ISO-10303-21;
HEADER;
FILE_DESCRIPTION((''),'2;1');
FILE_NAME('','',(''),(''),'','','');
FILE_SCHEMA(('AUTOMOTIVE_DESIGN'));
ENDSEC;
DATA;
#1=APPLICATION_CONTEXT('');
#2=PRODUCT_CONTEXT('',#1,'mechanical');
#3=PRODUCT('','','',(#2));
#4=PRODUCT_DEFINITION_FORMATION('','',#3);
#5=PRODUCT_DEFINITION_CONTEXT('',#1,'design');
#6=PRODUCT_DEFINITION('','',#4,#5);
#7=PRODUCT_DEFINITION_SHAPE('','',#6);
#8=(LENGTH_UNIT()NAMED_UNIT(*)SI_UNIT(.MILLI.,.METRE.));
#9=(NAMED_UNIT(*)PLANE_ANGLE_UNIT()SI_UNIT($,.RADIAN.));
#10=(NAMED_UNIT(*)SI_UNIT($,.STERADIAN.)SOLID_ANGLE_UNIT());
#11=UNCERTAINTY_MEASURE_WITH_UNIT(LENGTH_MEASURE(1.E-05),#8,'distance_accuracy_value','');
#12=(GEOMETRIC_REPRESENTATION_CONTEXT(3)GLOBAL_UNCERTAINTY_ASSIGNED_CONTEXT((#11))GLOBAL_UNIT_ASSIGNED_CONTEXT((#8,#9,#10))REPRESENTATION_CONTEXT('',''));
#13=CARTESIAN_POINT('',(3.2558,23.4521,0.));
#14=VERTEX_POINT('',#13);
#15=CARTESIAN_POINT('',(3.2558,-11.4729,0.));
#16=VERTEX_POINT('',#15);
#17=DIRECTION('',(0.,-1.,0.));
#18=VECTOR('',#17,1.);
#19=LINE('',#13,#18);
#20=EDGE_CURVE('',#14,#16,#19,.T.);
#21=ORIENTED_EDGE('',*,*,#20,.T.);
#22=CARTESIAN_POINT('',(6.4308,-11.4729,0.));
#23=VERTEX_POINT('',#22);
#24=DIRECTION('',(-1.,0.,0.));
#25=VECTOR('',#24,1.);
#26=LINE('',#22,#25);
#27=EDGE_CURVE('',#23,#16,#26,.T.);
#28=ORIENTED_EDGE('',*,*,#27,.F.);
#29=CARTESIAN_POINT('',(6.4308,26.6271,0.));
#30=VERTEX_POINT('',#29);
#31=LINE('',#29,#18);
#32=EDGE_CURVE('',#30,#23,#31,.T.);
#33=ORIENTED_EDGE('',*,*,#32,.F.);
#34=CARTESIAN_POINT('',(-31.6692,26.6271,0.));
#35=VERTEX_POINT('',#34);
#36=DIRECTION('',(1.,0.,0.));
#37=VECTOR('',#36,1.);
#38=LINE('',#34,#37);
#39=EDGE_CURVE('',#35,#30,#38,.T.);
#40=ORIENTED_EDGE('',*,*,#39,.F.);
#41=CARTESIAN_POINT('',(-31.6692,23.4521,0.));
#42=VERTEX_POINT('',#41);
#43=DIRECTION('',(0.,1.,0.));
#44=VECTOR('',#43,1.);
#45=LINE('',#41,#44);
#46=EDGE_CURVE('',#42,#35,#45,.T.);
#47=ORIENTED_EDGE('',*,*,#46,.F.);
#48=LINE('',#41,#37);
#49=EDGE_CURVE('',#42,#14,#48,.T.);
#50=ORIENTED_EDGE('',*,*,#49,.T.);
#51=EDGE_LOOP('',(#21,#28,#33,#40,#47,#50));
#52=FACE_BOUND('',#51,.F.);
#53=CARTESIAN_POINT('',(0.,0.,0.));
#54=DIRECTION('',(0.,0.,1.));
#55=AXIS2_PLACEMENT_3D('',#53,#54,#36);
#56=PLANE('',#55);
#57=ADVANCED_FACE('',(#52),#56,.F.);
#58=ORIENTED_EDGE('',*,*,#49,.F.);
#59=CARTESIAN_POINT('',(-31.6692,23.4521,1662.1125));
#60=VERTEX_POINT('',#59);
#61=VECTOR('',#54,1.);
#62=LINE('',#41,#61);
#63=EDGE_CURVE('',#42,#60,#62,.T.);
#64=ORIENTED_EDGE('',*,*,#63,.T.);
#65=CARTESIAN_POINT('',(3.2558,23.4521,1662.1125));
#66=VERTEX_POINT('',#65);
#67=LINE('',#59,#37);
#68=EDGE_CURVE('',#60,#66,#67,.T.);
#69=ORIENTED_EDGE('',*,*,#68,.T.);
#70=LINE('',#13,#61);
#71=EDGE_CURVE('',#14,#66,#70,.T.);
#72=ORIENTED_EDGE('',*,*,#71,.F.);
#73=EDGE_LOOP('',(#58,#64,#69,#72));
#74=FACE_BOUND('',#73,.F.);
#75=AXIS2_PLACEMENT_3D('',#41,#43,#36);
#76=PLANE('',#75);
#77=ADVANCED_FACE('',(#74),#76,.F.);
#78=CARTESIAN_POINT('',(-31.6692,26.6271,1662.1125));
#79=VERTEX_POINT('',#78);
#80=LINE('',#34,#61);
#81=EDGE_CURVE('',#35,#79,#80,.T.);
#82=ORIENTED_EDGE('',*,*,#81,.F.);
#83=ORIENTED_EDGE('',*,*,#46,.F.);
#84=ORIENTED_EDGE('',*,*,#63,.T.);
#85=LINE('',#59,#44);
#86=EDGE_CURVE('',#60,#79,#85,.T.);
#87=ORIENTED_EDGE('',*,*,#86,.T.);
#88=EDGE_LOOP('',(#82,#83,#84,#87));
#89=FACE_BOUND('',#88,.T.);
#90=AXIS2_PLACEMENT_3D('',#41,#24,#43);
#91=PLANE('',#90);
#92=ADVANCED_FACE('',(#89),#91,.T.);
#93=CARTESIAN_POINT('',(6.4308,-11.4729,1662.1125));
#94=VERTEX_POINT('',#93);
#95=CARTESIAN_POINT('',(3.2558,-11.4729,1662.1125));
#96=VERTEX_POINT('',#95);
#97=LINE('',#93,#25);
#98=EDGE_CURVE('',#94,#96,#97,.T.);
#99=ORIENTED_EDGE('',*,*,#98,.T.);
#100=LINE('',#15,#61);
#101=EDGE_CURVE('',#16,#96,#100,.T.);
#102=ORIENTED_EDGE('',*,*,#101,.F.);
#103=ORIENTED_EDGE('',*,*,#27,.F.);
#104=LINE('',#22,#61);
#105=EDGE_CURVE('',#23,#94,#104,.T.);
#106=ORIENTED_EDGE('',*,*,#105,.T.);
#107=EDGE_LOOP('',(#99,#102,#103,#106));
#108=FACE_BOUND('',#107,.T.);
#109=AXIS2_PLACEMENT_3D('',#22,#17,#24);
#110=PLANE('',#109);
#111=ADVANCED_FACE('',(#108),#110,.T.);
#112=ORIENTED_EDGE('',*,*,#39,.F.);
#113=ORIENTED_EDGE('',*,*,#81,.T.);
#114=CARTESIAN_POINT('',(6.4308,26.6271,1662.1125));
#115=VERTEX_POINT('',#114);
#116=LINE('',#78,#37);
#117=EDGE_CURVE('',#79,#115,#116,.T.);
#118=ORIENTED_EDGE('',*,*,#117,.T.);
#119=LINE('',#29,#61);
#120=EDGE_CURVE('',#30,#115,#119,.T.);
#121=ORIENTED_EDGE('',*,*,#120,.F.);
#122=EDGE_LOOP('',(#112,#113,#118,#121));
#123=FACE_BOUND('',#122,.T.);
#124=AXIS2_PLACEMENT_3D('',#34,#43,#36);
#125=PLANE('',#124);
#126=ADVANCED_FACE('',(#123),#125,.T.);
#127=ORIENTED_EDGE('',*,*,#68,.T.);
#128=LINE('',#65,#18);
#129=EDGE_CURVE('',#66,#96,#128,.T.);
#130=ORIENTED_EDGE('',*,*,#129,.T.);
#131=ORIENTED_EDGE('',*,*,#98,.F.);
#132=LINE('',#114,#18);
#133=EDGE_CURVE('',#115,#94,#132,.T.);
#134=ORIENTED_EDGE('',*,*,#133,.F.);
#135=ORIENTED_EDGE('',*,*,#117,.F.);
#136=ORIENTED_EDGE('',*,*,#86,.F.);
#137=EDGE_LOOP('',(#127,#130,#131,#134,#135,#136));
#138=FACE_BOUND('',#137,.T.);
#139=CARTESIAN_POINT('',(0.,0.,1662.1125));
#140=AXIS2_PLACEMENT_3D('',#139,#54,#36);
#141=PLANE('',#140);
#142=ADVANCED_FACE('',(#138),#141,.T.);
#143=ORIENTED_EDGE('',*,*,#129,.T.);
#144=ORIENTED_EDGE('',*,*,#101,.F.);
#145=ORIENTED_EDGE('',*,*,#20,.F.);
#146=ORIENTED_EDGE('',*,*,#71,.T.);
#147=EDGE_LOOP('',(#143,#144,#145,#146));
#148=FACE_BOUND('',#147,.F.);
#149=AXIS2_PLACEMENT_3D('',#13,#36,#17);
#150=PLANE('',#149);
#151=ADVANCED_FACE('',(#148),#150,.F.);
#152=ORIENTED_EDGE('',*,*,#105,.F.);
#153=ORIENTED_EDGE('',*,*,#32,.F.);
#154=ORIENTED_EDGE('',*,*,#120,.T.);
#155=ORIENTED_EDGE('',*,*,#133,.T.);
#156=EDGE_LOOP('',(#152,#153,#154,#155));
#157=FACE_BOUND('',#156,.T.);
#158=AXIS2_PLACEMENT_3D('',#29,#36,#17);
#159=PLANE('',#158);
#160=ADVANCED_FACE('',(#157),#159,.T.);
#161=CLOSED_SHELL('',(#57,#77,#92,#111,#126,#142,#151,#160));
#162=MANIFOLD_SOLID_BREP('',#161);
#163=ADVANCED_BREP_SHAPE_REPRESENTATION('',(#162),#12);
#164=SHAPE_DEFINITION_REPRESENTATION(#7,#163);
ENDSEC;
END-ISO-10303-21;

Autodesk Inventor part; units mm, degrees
ref_plane "YZ Plane" through (0, 0, 0) normal (1, 0, 0) x (0, 1, 0)
ref_plane "XZ Plane" through (0, 0, 0) normal (0, 1, 0) x (-1, 0, 0)
ref_plane "XY Plane" through (0, 0, 0) normal (0, 0, 1) x (1, 0, 0)
sketch "Sketch1" plane through (0, 0, 0) normal (0, 0, 1) x (1, 0, 0)
  line L0 (-31.6692, 26.6271) -> (6.4308, 26.6271)
  line L1 (6.4308, 26.6271) -> (6.4308, -11.4729)
  line L2 (6.4308, -11.4729) -> (3.2558, -11.4729)
  line L3 (-31.6692, 23.4521) -> (-31.6692, 26.6271)
  line L4 (-31.6692, 23.4521) -> (3.2558, 23.4521)
  line L5 (3.2558, 23.4521) -> (3.2558, -11.4729)
  dimension "d0" = 38.1
  dimension "d1" = 38.1
  dimension "d2" = 3.175
  dimension "d3" = 3.175
extrude "Extrusion1" add sketch "Sketch1" along normal blind 1662.1125
properties part number "FE-00007-02"
